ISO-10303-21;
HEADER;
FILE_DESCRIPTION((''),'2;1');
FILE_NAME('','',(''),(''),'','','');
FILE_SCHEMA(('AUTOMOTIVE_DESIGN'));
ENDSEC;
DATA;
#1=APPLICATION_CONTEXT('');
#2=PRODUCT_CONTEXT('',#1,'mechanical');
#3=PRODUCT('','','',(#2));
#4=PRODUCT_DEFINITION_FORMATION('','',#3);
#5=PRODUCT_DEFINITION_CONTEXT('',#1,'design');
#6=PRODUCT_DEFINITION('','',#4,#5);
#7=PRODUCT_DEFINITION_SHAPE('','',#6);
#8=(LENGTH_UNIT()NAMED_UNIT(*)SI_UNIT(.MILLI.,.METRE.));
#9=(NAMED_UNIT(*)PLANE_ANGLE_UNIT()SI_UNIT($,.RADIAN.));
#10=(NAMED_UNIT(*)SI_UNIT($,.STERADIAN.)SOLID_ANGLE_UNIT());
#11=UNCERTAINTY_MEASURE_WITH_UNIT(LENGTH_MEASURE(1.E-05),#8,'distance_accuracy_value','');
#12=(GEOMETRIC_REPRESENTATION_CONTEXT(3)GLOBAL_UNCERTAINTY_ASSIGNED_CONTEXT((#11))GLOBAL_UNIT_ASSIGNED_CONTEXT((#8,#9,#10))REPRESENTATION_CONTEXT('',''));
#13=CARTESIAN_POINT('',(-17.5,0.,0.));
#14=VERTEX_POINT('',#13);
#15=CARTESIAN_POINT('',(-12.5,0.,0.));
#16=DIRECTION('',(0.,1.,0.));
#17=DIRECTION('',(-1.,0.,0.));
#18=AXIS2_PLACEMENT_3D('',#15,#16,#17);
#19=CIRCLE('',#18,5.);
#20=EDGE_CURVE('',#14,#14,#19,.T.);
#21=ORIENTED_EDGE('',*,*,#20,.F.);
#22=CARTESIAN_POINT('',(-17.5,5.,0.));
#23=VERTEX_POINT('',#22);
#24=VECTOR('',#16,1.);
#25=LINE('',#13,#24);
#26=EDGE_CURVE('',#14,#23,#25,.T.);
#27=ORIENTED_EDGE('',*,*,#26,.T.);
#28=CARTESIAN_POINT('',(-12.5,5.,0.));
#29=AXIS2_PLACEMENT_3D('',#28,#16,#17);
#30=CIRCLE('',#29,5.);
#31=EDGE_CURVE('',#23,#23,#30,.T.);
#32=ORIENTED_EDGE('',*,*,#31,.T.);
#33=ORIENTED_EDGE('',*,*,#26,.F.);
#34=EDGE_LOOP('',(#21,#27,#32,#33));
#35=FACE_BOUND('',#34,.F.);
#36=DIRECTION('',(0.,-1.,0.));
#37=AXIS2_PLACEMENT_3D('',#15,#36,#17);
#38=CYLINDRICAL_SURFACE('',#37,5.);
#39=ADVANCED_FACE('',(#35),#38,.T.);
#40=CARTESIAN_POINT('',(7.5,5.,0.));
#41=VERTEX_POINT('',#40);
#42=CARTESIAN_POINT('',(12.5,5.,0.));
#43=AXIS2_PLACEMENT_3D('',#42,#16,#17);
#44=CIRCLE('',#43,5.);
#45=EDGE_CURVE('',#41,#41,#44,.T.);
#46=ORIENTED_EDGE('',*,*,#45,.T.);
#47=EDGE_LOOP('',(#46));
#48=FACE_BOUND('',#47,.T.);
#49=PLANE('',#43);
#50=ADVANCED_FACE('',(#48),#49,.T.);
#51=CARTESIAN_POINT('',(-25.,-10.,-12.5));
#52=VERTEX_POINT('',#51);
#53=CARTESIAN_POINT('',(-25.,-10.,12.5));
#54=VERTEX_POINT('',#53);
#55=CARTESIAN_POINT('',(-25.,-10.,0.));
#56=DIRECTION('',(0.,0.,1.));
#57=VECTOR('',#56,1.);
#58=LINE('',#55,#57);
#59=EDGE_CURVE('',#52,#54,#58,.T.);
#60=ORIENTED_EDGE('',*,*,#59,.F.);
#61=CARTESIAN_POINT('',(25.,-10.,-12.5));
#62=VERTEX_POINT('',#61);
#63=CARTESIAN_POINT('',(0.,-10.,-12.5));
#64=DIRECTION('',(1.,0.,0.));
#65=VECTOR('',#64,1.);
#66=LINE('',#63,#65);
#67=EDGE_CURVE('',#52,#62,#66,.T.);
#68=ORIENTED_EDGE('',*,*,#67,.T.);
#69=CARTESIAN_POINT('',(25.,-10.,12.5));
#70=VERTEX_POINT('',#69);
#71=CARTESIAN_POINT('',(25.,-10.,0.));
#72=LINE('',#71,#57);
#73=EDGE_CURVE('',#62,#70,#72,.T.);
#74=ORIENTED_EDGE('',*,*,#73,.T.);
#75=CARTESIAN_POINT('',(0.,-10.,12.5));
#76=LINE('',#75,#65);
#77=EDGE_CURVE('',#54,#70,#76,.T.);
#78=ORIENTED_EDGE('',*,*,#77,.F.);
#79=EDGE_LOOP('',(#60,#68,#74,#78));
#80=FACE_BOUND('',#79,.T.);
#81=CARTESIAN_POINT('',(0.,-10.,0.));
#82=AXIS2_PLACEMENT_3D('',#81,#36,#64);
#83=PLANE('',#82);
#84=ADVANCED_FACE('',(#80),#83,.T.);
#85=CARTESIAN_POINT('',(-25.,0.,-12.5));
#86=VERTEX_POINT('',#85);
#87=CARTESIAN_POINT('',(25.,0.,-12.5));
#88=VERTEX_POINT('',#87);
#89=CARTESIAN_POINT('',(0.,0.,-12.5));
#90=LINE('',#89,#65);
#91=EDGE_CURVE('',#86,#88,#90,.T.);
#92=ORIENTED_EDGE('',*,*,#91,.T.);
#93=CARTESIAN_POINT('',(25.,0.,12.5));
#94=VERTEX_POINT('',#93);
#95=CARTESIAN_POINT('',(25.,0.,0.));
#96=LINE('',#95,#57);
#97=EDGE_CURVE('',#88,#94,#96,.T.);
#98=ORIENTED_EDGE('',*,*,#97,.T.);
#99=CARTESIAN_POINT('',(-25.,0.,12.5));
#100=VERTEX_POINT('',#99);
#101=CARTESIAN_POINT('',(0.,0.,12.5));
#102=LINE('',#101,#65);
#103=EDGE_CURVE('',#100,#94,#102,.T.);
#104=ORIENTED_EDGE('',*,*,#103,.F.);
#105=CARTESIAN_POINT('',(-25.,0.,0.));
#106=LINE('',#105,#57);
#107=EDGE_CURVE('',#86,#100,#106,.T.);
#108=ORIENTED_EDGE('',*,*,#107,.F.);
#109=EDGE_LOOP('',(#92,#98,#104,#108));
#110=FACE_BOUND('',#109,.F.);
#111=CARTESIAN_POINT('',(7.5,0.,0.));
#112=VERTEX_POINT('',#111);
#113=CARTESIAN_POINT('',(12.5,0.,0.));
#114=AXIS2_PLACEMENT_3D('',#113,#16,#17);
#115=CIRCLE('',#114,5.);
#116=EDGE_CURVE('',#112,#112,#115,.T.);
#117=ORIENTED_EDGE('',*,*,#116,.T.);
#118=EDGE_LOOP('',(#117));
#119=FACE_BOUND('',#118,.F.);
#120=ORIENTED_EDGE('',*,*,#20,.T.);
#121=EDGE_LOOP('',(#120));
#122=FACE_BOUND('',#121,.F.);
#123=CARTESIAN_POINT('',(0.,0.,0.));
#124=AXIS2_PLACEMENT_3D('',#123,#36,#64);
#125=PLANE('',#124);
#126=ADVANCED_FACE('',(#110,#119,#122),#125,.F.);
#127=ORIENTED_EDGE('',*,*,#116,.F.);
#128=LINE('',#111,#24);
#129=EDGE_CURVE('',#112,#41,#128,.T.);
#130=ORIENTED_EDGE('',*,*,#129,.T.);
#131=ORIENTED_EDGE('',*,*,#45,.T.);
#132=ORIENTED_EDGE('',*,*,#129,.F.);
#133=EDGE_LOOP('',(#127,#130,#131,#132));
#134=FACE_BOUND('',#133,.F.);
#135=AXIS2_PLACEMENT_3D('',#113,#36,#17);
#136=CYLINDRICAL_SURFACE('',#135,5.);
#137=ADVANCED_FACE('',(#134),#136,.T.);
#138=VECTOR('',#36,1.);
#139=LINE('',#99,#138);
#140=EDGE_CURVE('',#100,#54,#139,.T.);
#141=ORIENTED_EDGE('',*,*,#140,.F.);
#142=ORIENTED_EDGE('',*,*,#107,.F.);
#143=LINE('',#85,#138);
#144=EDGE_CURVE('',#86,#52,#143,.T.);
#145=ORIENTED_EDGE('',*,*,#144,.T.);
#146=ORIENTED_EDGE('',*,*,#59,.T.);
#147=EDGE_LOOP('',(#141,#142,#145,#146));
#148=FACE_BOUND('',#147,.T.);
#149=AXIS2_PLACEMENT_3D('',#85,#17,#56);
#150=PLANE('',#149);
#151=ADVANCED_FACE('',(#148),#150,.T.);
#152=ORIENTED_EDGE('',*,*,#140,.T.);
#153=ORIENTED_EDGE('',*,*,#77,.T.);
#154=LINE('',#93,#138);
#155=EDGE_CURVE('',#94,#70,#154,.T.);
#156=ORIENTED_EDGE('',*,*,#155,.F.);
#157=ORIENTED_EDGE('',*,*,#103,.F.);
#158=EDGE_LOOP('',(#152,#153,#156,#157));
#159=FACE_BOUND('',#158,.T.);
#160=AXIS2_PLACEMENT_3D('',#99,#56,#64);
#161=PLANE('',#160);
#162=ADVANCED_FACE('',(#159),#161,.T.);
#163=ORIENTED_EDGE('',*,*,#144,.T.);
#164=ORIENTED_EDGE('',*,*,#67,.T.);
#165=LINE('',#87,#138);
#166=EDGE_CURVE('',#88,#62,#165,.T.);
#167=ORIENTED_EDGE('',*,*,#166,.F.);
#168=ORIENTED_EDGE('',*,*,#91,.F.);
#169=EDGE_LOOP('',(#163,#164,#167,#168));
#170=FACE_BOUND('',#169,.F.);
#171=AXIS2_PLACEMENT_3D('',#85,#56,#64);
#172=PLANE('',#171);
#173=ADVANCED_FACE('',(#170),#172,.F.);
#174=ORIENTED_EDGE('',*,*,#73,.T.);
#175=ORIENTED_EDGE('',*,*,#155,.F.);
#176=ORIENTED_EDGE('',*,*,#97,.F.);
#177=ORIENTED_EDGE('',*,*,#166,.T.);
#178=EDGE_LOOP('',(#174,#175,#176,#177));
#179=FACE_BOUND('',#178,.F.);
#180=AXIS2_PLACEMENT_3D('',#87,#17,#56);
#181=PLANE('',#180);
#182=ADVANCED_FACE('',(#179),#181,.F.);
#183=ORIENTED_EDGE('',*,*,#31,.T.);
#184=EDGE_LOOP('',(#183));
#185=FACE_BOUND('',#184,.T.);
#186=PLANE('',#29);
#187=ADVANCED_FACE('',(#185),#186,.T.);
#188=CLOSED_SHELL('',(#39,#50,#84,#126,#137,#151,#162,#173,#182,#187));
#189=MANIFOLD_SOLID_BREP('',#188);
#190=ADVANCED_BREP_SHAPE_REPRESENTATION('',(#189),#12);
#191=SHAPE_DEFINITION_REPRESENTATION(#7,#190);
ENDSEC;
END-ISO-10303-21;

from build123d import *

# Parameters (mm, degrees)
F0_W     = 50
F0_H     = 25
F1_DEPTH = 10
F2_R     = 5
F3_DEPTH = 5


with BuildPart() as f1:
    # F0 (on Front) → F1 (new body)
    with BuildSketch(Plane.XZ):
        Rectangle(F0_W, F0_H)
    extrude(amount=F1_DEPTH)

    # F2 (on face) → F3 (join)
    with BuildSketch(Plane(origin=(0, 0, 0), x_dir=(-1, 0, 0), z_dir=(0, 1, 0))):
        with Locations((-12.5, 0)):
            Circle(F2_R)
        with Locations((12.5, 0)):
            Circle(F2_R)
    extrude(amount=F3_DEPTH)


solid = f1.part
